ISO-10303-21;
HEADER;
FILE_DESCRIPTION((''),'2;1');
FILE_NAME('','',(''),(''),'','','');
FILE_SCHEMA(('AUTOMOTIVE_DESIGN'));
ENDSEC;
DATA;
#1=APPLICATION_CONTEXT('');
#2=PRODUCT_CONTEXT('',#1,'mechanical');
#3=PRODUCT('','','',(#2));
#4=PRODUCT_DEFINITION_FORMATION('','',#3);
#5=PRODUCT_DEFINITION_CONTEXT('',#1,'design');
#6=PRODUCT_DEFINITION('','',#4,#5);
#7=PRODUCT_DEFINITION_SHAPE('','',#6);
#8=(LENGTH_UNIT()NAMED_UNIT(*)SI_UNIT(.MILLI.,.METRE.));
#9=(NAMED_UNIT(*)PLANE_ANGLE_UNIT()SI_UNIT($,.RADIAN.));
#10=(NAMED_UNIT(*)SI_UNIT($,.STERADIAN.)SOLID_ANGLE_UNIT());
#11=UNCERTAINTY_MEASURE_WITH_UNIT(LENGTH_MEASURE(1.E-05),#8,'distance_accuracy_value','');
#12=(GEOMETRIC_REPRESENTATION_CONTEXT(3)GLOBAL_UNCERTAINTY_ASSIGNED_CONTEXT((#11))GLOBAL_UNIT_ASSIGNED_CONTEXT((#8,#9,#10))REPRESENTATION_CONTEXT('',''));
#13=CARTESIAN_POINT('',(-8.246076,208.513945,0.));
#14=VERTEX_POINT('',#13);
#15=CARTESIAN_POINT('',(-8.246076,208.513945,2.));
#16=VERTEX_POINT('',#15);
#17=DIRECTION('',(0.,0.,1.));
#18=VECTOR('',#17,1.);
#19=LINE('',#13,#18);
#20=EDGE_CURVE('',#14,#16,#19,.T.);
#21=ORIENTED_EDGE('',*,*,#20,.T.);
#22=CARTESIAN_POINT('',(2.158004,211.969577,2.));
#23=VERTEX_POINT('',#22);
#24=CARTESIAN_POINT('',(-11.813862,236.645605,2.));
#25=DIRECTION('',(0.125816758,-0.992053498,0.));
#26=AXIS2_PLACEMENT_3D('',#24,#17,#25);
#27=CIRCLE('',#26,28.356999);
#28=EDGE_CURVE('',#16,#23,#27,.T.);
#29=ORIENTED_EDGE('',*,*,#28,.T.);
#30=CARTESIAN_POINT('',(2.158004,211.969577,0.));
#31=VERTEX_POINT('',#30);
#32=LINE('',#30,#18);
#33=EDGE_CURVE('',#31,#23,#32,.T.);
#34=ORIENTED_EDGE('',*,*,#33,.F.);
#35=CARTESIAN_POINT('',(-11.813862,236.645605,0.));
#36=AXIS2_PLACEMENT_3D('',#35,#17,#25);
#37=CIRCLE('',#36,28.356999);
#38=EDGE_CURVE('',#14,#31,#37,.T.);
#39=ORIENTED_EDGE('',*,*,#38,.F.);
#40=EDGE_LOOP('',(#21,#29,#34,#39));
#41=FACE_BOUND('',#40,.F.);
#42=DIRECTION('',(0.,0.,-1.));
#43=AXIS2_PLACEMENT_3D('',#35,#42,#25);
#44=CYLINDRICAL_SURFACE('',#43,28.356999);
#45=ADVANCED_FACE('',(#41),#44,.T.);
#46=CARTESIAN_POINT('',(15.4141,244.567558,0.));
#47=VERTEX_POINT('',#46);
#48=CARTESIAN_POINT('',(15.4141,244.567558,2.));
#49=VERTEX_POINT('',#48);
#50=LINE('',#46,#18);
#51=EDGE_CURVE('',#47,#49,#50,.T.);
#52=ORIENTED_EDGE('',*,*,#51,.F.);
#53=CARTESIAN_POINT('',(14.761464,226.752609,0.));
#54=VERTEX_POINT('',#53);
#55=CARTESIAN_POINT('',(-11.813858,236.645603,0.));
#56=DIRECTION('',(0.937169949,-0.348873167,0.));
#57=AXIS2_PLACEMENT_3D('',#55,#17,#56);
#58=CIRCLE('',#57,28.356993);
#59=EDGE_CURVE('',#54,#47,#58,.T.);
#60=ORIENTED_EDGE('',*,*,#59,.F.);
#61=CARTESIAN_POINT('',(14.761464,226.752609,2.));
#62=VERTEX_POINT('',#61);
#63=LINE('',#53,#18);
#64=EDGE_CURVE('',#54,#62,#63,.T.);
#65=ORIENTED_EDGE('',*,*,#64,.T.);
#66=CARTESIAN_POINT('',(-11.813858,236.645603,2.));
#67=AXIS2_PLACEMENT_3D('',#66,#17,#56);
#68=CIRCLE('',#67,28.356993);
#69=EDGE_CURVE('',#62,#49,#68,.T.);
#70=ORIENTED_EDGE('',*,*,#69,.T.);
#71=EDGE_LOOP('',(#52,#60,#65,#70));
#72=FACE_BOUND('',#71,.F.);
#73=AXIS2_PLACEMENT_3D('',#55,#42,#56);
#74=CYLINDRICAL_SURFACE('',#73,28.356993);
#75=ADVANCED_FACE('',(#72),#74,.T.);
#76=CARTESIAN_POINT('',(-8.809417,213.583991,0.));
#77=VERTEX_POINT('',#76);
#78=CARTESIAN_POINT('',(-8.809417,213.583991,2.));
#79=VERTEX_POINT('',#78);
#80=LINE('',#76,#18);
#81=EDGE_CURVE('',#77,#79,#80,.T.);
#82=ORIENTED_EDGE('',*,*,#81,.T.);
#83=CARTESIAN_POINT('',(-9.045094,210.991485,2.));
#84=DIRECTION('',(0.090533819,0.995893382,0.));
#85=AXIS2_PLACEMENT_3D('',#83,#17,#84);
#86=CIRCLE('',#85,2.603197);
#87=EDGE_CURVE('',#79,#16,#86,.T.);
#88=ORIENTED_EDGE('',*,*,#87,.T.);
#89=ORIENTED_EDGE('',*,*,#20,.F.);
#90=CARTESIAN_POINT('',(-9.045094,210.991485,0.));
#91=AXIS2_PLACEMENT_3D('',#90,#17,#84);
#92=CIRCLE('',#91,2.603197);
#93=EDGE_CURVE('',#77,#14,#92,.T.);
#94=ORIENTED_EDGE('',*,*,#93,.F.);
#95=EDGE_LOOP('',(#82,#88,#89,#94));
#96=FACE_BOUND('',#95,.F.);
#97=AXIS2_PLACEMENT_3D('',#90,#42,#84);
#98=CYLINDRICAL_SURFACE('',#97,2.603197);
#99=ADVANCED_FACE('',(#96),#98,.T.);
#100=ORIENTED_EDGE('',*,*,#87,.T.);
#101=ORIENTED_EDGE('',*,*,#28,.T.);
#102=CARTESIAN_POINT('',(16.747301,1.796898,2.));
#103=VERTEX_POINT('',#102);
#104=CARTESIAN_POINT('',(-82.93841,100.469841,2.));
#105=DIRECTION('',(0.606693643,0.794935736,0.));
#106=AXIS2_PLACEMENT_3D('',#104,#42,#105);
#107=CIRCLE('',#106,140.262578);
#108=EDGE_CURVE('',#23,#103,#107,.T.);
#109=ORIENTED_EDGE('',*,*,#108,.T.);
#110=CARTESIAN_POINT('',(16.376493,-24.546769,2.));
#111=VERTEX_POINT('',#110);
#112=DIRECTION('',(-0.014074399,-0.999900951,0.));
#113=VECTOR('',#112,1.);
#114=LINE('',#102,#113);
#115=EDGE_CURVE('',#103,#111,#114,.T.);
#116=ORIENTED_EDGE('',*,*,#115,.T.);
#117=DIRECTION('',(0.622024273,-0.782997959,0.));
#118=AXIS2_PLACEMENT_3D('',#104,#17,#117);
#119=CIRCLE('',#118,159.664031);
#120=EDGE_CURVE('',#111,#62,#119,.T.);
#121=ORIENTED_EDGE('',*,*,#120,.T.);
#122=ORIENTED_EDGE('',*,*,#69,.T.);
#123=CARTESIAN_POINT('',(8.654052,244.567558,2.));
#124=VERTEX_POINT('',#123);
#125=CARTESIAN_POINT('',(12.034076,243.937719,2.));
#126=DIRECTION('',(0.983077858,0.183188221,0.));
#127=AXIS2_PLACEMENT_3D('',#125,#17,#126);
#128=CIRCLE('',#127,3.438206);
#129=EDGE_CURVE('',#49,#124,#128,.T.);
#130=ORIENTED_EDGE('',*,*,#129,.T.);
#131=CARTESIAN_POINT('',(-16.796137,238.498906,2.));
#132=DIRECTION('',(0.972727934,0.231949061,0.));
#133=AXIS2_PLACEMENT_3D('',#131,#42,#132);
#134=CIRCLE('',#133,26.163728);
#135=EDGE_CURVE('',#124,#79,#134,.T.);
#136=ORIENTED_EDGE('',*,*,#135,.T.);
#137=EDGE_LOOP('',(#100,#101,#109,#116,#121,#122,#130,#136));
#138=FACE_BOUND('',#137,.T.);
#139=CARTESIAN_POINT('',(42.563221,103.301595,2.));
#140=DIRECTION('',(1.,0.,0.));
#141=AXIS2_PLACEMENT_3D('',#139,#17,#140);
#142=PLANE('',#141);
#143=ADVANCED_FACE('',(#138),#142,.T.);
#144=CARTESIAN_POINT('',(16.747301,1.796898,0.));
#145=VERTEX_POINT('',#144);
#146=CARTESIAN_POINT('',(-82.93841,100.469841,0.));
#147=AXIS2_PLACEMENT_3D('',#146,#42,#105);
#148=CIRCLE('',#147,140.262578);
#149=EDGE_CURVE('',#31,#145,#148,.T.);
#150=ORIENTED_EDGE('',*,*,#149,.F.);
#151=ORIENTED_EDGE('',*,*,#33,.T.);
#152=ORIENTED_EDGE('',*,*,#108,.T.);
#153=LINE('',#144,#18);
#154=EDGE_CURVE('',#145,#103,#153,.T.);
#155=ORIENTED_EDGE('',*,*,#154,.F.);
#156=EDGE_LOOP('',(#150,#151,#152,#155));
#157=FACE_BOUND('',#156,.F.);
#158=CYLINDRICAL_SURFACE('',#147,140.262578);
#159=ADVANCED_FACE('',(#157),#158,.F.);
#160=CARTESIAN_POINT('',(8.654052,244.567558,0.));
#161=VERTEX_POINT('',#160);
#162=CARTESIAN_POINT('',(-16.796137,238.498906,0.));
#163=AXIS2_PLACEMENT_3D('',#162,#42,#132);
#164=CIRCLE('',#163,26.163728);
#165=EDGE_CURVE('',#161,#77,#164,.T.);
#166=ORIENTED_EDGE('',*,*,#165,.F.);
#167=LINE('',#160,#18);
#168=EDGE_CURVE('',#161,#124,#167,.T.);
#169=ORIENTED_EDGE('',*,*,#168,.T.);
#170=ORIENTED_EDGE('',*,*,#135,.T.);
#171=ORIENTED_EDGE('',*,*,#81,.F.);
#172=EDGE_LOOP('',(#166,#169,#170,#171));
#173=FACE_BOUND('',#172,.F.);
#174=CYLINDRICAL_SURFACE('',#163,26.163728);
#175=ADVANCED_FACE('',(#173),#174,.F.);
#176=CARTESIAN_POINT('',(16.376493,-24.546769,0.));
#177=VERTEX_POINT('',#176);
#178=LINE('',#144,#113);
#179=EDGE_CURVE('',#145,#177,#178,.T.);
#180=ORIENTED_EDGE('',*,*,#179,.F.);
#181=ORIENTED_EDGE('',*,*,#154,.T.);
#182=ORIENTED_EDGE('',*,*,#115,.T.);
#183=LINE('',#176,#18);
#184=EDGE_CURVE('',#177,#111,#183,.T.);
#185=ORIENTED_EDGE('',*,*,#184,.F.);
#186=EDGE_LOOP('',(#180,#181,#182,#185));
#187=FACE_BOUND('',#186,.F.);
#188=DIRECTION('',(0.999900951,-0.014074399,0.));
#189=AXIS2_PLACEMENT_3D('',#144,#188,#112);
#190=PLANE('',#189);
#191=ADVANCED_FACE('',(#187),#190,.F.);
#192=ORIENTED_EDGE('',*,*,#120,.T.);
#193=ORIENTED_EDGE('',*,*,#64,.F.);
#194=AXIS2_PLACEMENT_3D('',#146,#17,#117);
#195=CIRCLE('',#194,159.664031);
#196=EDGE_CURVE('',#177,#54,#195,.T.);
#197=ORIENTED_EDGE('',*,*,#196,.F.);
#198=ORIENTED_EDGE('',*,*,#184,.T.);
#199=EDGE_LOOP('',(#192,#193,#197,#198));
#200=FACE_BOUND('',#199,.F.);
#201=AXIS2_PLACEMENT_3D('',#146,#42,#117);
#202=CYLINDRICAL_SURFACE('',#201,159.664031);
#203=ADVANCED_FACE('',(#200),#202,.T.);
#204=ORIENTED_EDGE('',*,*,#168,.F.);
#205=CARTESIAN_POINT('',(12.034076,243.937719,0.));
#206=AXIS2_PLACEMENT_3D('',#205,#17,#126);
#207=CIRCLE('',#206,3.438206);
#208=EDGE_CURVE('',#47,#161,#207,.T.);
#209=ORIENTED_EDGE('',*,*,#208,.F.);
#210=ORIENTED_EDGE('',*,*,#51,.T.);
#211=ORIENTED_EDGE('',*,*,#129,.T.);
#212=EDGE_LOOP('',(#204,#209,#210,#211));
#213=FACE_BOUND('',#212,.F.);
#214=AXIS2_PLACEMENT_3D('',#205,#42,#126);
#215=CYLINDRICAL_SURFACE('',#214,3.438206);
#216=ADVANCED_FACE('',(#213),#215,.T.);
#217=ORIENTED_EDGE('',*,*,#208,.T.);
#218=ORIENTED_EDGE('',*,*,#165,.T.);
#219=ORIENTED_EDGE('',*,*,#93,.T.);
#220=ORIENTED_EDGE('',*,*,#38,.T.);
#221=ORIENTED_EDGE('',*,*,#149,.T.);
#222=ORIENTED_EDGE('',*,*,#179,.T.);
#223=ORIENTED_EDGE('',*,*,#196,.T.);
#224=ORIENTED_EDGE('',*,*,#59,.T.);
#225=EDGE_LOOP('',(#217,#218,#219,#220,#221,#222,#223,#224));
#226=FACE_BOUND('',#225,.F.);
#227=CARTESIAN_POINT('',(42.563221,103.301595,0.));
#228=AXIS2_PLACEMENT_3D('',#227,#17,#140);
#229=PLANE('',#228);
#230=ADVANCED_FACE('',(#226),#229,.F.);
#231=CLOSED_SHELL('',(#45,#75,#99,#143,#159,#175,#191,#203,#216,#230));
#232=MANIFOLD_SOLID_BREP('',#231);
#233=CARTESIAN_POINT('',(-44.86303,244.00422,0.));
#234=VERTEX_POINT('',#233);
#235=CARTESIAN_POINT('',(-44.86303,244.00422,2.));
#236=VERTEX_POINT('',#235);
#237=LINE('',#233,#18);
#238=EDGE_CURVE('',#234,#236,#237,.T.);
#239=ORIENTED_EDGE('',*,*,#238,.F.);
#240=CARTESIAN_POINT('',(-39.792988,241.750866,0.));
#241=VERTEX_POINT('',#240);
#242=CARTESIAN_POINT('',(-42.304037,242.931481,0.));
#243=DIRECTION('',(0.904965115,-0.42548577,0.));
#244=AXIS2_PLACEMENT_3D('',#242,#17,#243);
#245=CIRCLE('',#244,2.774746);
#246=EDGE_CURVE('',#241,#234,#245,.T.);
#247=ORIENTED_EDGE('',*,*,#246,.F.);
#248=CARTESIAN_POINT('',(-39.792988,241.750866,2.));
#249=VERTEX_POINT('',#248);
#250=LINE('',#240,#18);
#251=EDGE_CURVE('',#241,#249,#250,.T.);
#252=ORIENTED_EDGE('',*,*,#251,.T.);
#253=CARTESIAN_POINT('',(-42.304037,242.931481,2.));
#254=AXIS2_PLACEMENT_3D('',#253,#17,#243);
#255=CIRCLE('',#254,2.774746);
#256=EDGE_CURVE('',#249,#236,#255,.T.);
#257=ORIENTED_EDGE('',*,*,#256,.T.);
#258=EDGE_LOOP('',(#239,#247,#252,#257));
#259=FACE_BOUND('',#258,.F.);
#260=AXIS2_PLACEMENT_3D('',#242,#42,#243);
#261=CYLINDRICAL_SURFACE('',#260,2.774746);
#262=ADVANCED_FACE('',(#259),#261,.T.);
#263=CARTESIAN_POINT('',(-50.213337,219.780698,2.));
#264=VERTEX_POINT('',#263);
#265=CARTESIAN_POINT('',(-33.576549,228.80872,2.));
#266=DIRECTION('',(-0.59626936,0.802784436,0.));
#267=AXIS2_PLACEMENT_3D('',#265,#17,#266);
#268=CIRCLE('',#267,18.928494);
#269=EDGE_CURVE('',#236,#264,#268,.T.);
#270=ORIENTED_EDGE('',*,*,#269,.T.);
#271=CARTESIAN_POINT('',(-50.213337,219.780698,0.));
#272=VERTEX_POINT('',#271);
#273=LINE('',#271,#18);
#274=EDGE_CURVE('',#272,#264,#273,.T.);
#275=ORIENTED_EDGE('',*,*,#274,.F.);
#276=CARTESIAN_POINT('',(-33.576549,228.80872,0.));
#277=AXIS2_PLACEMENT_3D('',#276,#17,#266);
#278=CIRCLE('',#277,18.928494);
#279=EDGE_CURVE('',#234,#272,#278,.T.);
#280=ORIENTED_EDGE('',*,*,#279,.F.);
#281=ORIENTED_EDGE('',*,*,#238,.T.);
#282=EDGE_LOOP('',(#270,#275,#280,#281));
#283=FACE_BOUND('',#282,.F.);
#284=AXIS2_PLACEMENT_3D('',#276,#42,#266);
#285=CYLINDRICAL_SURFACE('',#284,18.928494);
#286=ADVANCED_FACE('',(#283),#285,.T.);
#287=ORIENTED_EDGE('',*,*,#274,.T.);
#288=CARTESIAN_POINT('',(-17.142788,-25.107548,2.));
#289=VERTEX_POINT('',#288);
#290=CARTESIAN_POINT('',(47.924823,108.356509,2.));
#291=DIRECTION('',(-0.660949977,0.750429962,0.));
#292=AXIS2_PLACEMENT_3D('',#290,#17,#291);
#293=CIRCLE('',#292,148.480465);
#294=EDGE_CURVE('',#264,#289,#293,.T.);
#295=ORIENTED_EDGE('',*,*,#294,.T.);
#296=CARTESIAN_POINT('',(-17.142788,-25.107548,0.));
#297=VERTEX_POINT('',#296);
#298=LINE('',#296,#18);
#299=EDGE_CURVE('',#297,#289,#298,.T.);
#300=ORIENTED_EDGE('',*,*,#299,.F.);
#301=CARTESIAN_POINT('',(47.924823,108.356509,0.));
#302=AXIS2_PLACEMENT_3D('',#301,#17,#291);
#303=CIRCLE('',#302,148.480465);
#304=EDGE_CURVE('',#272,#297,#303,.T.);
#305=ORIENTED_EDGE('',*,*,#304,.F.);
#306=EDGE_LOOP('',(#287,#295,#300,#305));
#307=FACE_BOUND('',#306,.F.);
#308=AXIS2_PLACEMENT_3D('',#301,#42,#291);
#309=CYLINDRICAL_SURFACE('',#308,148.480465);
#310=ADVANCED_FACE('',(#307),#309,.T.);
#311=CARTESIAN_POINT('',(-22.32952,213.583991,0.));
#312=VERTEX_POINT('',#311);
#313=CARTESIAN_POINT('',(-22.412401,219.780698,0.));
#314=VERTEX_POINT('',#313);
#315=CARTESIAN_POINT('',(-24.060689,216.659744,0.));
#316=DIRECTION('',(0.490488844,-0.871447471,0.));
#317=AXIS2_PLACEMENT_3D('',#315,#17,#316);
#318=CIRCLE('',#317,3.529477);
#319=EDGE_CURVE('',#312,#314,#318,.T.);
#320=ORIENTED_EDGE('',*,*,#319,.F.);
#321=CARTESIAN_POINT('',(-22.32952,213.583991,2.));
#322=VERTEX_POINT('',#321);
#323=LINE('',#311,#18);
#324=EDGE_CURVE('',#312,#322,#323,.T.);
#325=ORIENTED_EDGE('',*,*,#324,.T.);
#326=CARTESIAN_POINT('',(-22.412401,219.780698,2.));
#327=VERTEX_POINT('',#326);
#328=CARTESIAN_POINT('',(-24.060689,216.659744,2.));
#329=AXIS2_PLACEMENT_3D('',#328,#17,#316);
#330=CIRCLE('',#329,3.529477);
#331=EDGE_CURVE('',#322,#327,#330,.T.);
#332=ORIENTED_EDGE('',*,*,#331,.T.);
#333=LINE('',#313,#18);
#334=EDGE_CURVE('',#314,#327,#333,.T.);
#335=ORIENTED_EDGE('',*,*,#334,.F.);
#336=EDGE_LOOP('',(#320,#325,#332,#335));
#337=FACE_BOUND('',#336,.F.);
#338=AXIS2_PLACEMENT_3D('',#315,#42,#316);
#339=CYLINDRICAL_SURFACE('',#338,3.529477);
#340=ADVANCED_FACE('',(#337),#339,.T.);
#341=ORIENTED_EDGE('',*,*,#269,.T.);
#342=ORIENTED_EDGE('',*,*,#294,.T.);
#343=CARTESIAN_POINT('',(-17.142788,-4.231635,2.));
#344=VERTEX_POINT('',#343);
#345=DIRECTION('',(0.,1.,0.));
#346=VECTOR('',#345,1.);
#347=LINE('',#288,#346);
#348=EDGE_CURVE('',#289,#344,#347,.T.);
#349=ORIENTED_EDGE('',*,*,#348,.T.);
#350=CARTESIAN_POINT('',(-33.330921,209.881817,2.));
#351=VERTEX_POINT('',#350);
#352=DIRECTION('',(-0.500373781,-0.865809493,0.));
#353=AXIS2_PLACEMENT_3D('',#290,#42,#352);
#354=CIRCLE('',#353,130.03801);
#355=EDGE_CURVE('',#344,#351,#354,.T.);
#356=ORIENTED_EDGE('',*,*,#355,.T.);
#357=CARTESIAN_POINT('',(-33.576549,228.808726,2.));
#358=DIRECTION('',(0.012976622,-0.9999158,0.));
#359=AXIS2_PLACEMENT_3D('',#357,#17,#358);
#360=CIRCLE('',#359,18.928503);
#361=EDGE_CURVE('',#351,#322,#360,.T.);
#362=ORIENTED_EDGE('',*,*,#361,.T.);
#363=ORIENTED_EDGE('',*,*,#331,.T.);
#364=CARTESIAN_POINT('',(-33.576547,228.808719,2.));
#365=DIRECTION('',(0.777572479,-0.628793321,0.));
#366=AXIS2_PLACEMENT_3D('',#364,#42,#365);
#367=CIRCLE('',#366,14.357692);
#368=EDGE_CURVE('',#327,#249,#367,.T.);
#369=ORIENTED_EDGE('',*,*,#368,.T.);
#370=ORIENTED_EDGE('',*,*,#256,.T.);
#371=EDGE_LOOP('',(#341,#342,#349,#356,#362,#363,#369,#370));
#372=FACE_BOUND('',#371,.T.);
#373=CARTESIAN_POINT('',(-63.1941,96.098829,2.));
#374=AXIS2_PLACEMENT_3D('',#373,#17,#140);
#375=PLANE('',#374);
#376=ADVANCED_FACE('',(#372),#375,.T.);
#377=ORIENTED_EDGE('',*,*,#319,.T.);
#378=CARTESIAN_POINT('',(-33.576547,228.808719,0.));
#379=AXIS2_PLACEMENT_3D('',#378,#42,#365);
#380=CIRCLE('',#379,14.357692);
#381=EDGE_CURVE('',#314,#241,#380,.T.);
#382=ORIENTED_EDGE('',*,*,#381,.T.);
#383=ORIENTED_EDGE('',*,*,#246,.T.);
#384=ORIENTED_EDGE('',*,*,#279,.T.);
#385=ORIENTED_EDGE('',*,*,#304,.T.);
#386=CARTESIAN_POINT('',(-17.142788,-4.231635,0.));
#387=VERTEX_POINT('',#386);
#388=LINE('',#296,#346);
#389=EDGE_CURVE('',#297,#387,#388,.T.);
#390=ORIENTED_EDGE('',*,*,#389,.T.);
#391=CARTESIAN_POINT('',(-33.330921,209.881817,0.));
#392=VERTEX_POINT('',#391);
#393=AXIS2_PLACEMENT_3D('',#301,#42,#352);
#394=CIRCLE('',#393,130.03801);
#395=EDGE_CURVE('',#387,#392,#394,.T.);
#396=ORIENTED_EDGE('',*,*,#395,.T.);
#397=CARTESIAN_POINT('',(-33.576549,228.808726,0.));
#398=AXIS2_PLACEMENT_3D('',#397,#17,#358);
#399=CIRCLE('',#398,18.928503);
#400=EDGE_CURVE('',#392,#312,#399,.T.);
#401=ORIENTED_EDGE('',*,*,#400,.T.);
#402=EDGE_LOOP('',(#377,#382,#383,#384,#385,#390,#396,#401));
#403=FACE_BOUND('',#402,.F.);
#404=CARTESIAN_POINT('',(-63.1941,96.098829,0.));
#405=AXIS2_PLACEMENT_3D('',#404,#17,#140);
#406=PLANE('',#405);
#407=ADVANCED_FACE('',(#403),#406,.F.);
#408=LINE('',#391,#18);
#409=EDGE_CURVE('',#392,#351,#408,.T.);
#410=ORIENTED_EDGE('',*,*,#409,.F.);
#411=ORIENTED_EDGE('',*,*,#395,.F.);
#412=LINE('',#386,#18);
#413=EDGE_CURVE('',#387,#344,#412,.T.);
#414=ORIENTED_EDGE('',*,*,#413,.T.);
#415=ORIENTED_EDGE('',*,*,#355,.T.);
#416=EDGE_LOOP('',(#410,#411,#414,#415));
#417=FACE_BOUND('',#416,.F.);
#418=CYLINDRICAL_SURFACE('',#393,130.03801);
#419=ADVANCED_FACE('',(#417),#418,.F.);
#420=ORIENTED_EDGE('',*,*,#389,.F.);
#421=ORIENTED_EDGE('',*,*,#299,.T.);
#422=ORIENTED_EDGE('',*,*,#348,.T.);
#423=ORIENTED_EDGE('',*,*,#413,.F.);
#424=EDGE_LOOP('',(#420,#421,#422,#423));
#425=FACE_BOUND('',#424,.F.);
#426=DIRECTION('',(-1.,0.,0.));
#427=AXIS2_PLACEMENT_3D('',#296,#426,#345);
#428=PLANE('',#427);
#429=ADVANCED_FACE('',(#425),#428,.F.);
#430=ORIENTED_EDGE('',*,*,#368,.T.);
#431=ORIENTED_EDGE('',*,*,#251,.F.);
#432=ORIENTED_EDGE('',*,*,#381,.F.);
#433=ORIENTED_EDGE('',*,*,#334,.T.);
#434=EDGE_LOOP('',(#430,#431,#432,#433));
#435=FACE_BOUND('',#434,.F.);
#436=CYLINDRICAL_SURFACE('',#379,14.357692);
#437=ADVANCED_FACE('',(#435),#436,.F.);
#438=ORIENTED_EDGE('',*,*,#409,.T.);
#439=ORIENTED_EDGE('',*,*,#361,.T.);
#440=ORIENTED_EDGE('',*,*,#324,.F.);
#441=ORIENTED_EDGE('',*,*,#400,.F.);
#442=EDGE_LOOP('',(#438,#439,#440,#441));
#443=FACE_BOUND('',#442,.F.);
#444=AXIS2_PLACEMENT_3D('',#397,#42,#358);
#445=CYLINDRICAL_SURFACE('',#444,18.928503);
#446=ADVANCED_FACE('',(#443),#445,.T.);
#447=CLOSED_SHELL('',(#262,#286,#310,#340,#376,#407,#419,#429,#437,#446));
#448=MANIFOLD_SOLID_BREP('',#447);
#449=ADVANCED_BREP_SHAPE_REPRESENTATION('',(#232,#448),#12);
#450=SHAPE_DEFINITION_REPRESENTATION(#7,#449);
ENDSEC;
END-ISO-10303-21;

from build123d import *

# Parameters (mm, degrees)
F1_DEPTH = 2


with BuildPart() as f1:
    # F0 (on Top) → F1 (new body)
    with BuildSketch(Plane.XY):
        with BuildLine():
            ThreePointArc((-50.213337, 219.780698), (-99.219984, 88.485569), (-17.142788, -25.107548))
            Line((-17.142788, -25.107548), (-17.142788, -4.231635))
            ThreePointArc((-17.142788, -4.231635), (-81.743113, 98.552912), (-33.330921, 209.881817))
            ThreePointArc((-33.330921, 209.881817), (-43.150707, 212.480112), (-50.213337, 219.780698))
        make_face()
        with BuildLine():
            ThreePointArc((-44.86303, 244.00422), (-52.059568, 232.891108), (-50.213337, 219.780698))
            ThreePointArc((-50.213337, 219.780698), (-43.150707, 212.480112), (-33.330921, 209.881817))
            ThreePointArc((-33.330921, 209.881817), (-27.53943, 210.868787), (-22.32952, 213.583991))
            ThreePointArc((-22.32952, 213.583991), (-20.531528, 216.706947), (-22.412401, 219.780698))
            ThreePointArc((-22.412401, 219.780698), (-44.836743, 219.900784), (-39.792988, 241.750866))
            ThreePointArc((-39.792988, 241.750866), (-41.177105, 245.467076), (-44.86303, 244.00422))
        make_face()
        with BuildLine():
            Line((16.747301, 1.796898), (16.376493, -24.546769))
            ThreePointArc((16.376493, -24.546769), (76.722324, 101.495935), (14.761464, 226.752609))
            ThreePointArc((14.761464, 226.752609), (9.765137, 218.248155), (2.158004, 211.969577))
            ThreePointArc((2.158004, 211.969577), (56.987453, 110.182902), (16.747301, 1.796898))
        make_face()
        with BuildLine():
            ThreePointArc((2.158004, 211.969577), (9.765137, 218.248155), (14.761464, 226.752609))
            ThreePointArc((14.761464, 226.752609), (16.524126, 235.607464), (15.4141, 244.567558))
            ThreePointArc((15.4141, 244.567558), (12.034076, 247.375925), (8.654052, 244.567558))
            ThreePointArc((8.654052, 244.567558), (5.996451, 225.652171), (-8.809417, 213.583991))
            ThreePointArc((-8.809417, 213.583991), (-11.632369, 210.704008), (-8.246076, 208.513945))
            ThreePointArc((-8.246076, 208.513945), (-2.875451, 209.734191), (2.158004, 211.969577))
        make_face()
    extrude(amount=F1_DEPTH)


solid = f1.part
